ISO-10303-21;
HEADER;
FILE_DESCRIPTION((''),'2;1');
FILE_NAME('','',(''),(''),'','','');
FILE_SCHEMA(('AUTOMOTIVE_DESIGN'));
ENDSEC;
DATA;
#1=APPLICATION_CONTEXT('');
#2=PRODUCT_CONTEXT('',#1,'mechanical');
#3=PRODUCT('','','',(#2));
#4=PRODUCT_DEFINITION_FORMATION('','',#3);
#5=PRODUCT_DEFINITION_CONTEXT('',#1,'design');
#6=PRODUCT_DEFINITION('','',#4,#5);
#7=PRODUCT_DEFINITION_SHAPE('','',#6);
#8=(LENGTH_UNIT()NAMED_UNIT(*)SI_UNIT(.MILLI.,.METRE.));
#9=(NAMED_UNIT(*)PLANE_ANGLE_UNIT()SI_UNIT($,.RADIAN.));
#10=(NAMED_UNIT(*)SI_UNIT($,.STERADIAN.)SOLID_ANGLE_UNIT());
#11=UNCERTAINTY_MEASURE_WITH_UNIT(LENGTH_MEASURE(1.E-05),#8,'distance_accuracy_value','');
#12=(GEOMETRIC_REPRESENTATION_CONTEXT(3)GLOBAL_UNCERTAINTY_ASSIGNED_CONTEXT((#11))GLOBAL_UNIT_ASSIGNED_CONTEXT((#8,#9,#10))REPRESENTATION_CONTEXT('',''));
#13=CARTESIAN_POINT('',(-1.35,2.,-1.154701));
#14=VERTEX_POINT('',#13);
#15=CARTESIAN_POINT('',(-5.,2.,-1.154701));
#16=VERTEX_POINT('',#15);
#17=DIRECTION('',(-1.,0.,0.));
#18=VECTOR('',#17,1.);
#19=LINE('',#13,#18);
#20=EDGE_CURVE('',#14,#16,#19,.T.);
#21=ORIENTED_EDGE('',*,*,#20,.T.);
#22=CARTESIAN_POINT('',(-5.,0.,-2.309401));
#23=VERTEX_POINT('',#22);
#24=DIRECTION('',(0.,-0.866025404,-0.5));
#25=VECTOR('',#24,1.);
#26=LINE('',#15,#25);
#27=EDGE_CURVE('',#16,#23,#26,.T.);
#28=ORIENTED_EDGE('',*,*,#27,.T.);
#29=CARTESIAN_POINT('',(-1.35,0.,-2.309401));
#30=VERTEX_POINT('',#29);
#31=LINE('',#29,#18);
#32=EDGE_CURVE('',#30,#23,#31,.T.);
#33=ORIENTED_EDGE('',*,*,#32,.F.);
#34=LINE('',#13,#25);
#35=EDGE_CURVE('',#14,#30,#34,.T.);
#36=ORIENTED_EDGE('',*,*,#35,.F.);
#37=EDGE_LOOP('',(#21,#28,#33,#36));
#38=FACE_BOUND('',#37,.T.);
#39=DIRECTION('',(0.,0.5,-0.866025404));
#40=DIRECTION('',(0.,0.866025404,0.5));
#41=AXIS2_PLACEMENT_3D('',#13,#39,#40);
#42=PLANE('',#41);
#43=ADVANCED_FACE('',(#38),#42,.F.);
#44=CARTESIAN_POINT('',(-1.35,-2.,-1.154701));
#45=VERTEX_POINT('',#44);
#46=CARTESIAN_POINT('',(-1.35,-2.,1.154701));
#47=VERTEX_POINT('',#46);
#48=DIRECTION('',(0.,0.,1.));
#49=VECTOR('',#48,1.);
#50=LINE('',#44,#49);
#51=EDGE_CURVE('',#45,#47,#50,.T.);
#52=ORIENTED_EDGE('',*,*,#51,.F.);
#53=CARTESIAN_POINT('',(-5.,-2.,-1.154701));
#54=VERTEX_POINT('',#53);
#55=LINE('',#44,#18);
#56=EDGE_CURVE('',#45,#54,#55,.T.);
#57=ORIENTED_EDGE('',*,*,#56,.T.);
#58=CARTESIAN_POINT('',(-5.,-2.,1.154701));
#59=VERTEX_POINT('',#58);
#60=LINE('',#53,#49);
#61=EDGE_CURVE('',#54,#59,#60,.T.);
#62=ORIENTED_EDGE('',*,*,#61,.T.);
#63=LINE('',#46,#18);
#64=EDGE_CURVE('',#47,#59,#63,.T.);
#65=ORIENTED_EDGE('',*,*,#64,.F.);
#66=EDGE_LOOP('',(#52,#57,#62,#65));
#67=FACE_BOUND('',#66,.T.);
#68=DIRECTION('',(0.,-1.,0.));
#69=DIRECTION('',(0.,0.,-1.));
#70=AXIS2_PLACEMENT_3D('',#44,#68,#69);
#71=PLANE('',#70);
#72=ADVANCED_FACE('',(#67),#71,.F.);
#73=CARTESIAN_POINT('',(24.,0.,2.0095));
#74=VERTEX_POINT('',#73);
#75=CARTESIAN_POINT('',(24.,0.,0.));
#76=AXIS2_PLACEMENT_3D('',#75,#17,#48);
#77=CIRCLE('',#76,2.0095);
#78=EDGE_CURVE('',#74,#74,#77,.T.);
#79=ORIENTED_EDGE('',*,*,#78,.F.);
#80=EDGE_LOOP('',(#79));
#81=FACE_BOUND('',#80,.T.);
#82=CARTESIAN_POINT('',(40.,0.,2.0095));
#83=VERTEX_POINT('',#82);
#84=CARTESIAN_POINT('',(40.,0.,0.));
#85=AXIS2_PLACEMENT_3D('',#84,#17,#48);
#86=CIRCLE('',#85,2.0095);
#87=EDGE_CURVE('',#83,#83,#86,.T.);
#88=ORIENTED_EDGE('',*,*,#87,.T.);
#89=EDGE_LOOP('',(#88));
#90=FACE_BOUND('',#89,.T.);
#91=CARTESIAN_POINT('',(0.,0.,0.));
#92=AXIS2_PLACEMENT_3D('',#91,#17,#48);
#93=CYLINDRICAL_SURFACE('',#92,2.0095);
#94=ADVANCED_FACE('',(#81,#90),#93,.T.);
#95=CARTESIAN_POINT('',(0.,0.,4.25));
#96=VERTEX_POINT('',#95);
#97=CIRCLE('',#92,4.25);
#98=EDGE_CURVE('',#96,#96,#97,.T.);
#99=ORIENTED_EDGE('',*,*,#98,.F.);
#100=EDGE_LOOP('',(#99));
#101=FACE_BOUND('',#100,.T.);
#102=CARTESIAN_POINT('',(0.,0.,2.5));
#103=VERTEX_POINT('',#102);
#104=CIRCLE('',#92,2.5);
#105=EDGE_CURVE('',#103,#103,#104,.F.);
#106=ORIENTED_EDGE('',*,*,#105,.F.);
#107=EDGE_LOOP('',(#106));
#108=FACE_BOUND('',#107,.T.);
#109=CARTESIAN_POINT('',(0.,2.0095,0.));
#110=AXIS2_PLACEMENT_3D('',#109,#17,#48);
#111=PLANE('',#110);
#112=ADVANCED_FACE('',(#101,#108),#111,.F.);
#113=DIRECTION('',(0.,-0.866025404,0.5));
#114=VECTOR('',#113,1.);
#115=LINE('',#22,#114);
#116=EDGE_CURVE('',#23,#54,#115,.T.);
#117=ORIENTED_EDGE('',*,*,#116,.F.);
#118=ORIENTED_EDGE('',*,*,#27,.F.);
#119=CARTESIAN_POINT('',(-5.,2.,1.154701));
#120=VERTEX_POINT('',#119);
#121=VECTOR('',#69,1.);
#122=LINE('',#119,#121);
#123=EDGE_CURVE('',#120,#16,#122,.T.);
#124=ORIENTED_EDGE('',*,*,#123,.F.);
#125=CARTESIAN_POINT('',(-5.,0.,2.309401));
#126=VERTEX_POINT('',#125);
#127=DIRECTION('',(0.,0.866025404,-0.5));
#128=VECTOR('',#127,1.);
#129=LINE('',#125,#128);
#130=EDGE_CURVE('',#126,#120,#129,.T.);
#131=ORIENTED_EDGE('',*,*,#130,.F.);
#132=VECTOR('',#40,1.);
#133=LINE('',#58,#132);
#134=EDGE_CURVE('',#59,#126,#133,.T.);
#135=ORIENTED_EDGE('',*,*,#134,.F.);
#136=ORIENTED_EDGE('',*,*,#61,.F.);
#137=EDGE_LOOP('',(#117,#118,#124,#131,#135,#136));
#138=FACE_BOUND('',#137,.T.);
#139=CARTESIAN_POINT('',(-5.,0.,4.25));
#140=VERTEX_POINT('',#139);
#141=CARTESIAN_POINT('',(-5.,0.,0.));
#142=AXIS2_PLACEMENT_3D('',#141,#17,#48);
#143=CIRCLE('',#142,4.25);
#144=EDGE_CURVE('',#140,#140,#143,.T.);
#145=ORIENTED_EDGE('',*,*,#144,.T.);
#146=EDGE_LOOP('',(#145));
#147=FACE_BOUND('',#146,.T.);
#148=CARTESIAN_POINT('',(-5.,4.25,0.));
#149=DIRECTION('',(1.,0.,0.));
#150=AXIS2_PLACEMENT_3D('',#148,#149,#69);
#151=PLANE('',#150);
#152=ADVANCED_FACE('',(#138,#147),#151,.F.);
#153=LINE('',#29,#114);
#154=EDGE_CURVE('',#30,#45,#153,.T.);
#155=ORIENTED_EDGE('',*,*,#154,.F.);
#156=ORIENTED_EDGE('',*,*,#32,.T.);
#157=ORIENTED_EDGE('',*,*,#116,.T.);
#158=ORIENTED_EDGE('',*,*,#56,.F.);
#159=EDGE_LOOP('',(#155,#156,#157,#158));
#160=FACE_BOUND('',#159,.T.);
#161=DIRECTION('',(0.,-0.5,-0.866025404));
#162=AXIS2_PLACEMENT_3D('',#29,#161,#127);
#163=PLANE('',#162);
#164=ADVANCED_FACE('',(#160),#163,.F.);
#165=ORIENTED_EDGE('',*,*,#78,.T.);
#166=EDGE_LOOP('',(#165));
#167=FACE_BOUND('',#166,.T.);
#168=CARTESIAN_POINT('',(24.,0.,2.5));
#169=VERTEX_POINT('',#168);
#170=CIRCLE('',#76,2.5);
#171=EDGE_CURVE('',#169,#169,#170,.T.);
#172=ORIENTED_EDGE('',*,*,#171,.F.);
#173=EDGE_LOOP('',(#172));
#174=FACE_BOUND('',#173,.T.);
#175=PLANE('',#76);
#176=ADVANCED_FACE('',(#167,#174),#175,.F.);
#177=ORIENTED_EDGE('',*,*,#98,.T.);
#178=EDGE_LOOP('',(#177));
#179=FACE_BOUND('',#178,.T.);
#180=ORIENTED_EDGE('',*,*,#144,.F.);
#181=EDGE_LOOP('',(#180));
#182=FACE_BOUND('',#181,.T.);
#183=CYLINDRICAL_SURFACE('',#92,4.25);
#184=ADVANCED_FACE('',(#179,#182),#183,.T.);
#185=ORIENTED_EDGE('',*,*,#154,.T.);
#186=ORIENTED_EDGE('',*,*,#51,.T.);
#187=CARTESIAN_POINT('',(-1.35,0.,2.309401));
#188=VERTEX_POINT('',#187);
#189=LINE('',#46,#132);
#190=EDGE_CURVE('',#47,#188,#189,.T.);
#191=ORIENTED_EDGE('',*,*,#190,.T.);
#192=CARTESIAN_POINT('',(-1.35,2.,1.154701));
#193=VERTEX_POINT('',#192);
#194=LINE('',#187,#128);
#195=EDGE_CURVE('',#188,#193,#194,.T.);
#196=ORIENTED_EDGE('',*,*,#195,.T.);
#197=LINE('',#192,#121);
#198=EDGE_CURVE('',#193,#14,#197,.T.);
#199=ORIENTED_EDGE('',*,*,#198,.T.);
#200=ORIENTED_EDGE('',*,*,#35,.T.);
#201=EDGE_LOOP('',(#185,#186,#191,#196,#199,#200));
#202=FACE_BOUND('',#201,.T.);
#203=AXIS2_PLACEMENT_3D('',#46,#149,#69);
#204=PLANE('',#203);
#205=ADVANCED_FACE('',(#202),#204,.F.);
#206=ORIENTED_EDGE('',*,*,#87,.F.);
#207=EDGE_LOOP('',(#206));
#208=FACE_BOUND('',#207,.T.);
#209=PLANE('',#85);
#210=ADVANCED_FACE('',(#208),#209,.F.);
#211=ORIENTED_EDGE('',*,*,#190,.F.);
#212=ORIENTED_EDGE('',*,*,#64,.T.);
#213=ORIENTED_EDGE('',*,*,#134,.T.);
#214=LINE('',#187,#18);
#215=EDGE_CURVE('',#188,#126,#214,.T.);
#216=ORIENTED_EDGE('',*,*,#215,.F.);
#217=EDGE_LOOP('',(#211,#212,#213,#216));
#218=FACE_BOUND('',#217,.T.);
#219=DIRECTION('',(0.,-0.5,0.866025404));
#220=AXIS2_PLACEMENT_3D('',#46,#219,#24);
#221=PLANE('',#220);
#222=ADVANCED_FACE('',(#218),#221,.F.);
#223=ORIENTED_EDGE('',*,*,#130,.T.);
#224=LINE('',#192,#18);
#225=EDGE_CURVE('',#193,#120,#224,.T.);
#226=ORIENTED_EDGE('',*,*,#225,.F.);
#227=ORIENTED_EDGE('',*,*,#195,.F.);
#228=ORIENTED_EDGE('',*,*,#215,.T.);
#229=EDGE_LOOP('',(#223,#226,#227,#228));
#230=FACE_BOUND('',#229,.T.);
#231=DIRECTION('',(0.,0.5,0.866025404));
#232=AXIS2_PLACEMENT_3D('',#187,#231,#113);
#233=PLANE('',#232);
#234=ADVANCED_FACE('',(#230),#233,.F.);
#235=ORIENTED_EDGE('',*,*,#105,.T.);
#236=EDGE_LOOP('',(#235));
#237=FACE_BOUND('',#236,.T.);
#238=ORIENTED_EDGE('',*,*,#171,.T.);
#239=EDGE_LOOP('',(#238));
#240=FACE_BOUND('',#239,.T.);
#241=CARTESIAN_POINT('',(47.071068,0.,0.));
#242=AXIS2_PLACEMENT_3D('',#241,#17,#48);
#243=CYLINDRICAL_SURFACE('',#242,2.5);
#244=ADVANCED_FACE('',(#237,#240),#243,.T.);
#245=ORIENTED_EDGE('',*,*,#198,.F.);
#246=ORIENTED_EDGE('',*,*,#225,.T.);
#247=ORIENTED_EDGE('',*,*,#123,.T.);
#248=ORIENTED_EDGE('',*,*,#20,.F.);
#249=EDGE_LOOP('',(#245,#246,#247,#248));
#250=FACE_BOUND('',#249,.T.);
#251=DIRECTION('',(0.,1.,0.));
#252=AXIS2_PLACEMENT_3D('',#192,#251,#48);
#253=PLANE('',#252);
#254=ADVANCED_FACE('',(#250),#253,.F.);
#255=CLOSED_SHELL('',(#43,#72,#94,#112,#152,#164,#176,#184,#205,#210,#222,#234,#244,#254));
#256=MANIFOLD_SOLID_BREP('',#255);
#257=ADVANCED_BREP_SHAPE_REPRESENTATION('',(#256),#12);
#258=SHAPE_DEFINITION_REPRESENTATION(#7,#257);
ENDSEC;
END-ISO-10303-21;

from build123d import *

# Parameters (mm, degrees)
SCHNITT_LINEAR_AUSTRAGEN1_DEPTH = 3.65
SKIZZE3_R                       = 2.5
AUFSATZ_LINEAR_AUSTRAGEN1_DEPTH = 24


with BuildPart() as part:
    # Skizze1 → Basis-Rotation (revolve)
    with BuildSketch(Plane.XY):
        Polygon((40, 0), (40, 2.0095), (0, 2.0095), (0, 4.25), (-5, 4.25), (-5, 0), align=None)
    revolve(axis=Axis((0, 0, 0), (1, 0, 0)))

    # Skizze2 → Schnitt-Linear austragen1 (cut)
    with BuildSketch(Plane.ZY.offset(5)):
        Polygon((2.309401077, 0), (1.154700538, 2), (-1.154700538, 2), (-2.309401077, 0), (-1.154700538, -2), (1.154700538, -2), align=None)
    extrude(amount=-SCHNITT_LINEAR_AUSTRAGEN1_DEPTH, mode=Mode.SUBTRACT)

    # Skizze3 → Aufsatz-Linear austragen1 (add)
    with BuildSketch(Plane(origin=(0, 0, 0), x_dir=(0, 0, -1), z_dir=(1, 0, 0))):
        Circle(SKIZZE3_R)
    extrude(amount=AUFSATZ_LINEAR_AUSTRAGEN1_DEPTH)


solid = part.part
